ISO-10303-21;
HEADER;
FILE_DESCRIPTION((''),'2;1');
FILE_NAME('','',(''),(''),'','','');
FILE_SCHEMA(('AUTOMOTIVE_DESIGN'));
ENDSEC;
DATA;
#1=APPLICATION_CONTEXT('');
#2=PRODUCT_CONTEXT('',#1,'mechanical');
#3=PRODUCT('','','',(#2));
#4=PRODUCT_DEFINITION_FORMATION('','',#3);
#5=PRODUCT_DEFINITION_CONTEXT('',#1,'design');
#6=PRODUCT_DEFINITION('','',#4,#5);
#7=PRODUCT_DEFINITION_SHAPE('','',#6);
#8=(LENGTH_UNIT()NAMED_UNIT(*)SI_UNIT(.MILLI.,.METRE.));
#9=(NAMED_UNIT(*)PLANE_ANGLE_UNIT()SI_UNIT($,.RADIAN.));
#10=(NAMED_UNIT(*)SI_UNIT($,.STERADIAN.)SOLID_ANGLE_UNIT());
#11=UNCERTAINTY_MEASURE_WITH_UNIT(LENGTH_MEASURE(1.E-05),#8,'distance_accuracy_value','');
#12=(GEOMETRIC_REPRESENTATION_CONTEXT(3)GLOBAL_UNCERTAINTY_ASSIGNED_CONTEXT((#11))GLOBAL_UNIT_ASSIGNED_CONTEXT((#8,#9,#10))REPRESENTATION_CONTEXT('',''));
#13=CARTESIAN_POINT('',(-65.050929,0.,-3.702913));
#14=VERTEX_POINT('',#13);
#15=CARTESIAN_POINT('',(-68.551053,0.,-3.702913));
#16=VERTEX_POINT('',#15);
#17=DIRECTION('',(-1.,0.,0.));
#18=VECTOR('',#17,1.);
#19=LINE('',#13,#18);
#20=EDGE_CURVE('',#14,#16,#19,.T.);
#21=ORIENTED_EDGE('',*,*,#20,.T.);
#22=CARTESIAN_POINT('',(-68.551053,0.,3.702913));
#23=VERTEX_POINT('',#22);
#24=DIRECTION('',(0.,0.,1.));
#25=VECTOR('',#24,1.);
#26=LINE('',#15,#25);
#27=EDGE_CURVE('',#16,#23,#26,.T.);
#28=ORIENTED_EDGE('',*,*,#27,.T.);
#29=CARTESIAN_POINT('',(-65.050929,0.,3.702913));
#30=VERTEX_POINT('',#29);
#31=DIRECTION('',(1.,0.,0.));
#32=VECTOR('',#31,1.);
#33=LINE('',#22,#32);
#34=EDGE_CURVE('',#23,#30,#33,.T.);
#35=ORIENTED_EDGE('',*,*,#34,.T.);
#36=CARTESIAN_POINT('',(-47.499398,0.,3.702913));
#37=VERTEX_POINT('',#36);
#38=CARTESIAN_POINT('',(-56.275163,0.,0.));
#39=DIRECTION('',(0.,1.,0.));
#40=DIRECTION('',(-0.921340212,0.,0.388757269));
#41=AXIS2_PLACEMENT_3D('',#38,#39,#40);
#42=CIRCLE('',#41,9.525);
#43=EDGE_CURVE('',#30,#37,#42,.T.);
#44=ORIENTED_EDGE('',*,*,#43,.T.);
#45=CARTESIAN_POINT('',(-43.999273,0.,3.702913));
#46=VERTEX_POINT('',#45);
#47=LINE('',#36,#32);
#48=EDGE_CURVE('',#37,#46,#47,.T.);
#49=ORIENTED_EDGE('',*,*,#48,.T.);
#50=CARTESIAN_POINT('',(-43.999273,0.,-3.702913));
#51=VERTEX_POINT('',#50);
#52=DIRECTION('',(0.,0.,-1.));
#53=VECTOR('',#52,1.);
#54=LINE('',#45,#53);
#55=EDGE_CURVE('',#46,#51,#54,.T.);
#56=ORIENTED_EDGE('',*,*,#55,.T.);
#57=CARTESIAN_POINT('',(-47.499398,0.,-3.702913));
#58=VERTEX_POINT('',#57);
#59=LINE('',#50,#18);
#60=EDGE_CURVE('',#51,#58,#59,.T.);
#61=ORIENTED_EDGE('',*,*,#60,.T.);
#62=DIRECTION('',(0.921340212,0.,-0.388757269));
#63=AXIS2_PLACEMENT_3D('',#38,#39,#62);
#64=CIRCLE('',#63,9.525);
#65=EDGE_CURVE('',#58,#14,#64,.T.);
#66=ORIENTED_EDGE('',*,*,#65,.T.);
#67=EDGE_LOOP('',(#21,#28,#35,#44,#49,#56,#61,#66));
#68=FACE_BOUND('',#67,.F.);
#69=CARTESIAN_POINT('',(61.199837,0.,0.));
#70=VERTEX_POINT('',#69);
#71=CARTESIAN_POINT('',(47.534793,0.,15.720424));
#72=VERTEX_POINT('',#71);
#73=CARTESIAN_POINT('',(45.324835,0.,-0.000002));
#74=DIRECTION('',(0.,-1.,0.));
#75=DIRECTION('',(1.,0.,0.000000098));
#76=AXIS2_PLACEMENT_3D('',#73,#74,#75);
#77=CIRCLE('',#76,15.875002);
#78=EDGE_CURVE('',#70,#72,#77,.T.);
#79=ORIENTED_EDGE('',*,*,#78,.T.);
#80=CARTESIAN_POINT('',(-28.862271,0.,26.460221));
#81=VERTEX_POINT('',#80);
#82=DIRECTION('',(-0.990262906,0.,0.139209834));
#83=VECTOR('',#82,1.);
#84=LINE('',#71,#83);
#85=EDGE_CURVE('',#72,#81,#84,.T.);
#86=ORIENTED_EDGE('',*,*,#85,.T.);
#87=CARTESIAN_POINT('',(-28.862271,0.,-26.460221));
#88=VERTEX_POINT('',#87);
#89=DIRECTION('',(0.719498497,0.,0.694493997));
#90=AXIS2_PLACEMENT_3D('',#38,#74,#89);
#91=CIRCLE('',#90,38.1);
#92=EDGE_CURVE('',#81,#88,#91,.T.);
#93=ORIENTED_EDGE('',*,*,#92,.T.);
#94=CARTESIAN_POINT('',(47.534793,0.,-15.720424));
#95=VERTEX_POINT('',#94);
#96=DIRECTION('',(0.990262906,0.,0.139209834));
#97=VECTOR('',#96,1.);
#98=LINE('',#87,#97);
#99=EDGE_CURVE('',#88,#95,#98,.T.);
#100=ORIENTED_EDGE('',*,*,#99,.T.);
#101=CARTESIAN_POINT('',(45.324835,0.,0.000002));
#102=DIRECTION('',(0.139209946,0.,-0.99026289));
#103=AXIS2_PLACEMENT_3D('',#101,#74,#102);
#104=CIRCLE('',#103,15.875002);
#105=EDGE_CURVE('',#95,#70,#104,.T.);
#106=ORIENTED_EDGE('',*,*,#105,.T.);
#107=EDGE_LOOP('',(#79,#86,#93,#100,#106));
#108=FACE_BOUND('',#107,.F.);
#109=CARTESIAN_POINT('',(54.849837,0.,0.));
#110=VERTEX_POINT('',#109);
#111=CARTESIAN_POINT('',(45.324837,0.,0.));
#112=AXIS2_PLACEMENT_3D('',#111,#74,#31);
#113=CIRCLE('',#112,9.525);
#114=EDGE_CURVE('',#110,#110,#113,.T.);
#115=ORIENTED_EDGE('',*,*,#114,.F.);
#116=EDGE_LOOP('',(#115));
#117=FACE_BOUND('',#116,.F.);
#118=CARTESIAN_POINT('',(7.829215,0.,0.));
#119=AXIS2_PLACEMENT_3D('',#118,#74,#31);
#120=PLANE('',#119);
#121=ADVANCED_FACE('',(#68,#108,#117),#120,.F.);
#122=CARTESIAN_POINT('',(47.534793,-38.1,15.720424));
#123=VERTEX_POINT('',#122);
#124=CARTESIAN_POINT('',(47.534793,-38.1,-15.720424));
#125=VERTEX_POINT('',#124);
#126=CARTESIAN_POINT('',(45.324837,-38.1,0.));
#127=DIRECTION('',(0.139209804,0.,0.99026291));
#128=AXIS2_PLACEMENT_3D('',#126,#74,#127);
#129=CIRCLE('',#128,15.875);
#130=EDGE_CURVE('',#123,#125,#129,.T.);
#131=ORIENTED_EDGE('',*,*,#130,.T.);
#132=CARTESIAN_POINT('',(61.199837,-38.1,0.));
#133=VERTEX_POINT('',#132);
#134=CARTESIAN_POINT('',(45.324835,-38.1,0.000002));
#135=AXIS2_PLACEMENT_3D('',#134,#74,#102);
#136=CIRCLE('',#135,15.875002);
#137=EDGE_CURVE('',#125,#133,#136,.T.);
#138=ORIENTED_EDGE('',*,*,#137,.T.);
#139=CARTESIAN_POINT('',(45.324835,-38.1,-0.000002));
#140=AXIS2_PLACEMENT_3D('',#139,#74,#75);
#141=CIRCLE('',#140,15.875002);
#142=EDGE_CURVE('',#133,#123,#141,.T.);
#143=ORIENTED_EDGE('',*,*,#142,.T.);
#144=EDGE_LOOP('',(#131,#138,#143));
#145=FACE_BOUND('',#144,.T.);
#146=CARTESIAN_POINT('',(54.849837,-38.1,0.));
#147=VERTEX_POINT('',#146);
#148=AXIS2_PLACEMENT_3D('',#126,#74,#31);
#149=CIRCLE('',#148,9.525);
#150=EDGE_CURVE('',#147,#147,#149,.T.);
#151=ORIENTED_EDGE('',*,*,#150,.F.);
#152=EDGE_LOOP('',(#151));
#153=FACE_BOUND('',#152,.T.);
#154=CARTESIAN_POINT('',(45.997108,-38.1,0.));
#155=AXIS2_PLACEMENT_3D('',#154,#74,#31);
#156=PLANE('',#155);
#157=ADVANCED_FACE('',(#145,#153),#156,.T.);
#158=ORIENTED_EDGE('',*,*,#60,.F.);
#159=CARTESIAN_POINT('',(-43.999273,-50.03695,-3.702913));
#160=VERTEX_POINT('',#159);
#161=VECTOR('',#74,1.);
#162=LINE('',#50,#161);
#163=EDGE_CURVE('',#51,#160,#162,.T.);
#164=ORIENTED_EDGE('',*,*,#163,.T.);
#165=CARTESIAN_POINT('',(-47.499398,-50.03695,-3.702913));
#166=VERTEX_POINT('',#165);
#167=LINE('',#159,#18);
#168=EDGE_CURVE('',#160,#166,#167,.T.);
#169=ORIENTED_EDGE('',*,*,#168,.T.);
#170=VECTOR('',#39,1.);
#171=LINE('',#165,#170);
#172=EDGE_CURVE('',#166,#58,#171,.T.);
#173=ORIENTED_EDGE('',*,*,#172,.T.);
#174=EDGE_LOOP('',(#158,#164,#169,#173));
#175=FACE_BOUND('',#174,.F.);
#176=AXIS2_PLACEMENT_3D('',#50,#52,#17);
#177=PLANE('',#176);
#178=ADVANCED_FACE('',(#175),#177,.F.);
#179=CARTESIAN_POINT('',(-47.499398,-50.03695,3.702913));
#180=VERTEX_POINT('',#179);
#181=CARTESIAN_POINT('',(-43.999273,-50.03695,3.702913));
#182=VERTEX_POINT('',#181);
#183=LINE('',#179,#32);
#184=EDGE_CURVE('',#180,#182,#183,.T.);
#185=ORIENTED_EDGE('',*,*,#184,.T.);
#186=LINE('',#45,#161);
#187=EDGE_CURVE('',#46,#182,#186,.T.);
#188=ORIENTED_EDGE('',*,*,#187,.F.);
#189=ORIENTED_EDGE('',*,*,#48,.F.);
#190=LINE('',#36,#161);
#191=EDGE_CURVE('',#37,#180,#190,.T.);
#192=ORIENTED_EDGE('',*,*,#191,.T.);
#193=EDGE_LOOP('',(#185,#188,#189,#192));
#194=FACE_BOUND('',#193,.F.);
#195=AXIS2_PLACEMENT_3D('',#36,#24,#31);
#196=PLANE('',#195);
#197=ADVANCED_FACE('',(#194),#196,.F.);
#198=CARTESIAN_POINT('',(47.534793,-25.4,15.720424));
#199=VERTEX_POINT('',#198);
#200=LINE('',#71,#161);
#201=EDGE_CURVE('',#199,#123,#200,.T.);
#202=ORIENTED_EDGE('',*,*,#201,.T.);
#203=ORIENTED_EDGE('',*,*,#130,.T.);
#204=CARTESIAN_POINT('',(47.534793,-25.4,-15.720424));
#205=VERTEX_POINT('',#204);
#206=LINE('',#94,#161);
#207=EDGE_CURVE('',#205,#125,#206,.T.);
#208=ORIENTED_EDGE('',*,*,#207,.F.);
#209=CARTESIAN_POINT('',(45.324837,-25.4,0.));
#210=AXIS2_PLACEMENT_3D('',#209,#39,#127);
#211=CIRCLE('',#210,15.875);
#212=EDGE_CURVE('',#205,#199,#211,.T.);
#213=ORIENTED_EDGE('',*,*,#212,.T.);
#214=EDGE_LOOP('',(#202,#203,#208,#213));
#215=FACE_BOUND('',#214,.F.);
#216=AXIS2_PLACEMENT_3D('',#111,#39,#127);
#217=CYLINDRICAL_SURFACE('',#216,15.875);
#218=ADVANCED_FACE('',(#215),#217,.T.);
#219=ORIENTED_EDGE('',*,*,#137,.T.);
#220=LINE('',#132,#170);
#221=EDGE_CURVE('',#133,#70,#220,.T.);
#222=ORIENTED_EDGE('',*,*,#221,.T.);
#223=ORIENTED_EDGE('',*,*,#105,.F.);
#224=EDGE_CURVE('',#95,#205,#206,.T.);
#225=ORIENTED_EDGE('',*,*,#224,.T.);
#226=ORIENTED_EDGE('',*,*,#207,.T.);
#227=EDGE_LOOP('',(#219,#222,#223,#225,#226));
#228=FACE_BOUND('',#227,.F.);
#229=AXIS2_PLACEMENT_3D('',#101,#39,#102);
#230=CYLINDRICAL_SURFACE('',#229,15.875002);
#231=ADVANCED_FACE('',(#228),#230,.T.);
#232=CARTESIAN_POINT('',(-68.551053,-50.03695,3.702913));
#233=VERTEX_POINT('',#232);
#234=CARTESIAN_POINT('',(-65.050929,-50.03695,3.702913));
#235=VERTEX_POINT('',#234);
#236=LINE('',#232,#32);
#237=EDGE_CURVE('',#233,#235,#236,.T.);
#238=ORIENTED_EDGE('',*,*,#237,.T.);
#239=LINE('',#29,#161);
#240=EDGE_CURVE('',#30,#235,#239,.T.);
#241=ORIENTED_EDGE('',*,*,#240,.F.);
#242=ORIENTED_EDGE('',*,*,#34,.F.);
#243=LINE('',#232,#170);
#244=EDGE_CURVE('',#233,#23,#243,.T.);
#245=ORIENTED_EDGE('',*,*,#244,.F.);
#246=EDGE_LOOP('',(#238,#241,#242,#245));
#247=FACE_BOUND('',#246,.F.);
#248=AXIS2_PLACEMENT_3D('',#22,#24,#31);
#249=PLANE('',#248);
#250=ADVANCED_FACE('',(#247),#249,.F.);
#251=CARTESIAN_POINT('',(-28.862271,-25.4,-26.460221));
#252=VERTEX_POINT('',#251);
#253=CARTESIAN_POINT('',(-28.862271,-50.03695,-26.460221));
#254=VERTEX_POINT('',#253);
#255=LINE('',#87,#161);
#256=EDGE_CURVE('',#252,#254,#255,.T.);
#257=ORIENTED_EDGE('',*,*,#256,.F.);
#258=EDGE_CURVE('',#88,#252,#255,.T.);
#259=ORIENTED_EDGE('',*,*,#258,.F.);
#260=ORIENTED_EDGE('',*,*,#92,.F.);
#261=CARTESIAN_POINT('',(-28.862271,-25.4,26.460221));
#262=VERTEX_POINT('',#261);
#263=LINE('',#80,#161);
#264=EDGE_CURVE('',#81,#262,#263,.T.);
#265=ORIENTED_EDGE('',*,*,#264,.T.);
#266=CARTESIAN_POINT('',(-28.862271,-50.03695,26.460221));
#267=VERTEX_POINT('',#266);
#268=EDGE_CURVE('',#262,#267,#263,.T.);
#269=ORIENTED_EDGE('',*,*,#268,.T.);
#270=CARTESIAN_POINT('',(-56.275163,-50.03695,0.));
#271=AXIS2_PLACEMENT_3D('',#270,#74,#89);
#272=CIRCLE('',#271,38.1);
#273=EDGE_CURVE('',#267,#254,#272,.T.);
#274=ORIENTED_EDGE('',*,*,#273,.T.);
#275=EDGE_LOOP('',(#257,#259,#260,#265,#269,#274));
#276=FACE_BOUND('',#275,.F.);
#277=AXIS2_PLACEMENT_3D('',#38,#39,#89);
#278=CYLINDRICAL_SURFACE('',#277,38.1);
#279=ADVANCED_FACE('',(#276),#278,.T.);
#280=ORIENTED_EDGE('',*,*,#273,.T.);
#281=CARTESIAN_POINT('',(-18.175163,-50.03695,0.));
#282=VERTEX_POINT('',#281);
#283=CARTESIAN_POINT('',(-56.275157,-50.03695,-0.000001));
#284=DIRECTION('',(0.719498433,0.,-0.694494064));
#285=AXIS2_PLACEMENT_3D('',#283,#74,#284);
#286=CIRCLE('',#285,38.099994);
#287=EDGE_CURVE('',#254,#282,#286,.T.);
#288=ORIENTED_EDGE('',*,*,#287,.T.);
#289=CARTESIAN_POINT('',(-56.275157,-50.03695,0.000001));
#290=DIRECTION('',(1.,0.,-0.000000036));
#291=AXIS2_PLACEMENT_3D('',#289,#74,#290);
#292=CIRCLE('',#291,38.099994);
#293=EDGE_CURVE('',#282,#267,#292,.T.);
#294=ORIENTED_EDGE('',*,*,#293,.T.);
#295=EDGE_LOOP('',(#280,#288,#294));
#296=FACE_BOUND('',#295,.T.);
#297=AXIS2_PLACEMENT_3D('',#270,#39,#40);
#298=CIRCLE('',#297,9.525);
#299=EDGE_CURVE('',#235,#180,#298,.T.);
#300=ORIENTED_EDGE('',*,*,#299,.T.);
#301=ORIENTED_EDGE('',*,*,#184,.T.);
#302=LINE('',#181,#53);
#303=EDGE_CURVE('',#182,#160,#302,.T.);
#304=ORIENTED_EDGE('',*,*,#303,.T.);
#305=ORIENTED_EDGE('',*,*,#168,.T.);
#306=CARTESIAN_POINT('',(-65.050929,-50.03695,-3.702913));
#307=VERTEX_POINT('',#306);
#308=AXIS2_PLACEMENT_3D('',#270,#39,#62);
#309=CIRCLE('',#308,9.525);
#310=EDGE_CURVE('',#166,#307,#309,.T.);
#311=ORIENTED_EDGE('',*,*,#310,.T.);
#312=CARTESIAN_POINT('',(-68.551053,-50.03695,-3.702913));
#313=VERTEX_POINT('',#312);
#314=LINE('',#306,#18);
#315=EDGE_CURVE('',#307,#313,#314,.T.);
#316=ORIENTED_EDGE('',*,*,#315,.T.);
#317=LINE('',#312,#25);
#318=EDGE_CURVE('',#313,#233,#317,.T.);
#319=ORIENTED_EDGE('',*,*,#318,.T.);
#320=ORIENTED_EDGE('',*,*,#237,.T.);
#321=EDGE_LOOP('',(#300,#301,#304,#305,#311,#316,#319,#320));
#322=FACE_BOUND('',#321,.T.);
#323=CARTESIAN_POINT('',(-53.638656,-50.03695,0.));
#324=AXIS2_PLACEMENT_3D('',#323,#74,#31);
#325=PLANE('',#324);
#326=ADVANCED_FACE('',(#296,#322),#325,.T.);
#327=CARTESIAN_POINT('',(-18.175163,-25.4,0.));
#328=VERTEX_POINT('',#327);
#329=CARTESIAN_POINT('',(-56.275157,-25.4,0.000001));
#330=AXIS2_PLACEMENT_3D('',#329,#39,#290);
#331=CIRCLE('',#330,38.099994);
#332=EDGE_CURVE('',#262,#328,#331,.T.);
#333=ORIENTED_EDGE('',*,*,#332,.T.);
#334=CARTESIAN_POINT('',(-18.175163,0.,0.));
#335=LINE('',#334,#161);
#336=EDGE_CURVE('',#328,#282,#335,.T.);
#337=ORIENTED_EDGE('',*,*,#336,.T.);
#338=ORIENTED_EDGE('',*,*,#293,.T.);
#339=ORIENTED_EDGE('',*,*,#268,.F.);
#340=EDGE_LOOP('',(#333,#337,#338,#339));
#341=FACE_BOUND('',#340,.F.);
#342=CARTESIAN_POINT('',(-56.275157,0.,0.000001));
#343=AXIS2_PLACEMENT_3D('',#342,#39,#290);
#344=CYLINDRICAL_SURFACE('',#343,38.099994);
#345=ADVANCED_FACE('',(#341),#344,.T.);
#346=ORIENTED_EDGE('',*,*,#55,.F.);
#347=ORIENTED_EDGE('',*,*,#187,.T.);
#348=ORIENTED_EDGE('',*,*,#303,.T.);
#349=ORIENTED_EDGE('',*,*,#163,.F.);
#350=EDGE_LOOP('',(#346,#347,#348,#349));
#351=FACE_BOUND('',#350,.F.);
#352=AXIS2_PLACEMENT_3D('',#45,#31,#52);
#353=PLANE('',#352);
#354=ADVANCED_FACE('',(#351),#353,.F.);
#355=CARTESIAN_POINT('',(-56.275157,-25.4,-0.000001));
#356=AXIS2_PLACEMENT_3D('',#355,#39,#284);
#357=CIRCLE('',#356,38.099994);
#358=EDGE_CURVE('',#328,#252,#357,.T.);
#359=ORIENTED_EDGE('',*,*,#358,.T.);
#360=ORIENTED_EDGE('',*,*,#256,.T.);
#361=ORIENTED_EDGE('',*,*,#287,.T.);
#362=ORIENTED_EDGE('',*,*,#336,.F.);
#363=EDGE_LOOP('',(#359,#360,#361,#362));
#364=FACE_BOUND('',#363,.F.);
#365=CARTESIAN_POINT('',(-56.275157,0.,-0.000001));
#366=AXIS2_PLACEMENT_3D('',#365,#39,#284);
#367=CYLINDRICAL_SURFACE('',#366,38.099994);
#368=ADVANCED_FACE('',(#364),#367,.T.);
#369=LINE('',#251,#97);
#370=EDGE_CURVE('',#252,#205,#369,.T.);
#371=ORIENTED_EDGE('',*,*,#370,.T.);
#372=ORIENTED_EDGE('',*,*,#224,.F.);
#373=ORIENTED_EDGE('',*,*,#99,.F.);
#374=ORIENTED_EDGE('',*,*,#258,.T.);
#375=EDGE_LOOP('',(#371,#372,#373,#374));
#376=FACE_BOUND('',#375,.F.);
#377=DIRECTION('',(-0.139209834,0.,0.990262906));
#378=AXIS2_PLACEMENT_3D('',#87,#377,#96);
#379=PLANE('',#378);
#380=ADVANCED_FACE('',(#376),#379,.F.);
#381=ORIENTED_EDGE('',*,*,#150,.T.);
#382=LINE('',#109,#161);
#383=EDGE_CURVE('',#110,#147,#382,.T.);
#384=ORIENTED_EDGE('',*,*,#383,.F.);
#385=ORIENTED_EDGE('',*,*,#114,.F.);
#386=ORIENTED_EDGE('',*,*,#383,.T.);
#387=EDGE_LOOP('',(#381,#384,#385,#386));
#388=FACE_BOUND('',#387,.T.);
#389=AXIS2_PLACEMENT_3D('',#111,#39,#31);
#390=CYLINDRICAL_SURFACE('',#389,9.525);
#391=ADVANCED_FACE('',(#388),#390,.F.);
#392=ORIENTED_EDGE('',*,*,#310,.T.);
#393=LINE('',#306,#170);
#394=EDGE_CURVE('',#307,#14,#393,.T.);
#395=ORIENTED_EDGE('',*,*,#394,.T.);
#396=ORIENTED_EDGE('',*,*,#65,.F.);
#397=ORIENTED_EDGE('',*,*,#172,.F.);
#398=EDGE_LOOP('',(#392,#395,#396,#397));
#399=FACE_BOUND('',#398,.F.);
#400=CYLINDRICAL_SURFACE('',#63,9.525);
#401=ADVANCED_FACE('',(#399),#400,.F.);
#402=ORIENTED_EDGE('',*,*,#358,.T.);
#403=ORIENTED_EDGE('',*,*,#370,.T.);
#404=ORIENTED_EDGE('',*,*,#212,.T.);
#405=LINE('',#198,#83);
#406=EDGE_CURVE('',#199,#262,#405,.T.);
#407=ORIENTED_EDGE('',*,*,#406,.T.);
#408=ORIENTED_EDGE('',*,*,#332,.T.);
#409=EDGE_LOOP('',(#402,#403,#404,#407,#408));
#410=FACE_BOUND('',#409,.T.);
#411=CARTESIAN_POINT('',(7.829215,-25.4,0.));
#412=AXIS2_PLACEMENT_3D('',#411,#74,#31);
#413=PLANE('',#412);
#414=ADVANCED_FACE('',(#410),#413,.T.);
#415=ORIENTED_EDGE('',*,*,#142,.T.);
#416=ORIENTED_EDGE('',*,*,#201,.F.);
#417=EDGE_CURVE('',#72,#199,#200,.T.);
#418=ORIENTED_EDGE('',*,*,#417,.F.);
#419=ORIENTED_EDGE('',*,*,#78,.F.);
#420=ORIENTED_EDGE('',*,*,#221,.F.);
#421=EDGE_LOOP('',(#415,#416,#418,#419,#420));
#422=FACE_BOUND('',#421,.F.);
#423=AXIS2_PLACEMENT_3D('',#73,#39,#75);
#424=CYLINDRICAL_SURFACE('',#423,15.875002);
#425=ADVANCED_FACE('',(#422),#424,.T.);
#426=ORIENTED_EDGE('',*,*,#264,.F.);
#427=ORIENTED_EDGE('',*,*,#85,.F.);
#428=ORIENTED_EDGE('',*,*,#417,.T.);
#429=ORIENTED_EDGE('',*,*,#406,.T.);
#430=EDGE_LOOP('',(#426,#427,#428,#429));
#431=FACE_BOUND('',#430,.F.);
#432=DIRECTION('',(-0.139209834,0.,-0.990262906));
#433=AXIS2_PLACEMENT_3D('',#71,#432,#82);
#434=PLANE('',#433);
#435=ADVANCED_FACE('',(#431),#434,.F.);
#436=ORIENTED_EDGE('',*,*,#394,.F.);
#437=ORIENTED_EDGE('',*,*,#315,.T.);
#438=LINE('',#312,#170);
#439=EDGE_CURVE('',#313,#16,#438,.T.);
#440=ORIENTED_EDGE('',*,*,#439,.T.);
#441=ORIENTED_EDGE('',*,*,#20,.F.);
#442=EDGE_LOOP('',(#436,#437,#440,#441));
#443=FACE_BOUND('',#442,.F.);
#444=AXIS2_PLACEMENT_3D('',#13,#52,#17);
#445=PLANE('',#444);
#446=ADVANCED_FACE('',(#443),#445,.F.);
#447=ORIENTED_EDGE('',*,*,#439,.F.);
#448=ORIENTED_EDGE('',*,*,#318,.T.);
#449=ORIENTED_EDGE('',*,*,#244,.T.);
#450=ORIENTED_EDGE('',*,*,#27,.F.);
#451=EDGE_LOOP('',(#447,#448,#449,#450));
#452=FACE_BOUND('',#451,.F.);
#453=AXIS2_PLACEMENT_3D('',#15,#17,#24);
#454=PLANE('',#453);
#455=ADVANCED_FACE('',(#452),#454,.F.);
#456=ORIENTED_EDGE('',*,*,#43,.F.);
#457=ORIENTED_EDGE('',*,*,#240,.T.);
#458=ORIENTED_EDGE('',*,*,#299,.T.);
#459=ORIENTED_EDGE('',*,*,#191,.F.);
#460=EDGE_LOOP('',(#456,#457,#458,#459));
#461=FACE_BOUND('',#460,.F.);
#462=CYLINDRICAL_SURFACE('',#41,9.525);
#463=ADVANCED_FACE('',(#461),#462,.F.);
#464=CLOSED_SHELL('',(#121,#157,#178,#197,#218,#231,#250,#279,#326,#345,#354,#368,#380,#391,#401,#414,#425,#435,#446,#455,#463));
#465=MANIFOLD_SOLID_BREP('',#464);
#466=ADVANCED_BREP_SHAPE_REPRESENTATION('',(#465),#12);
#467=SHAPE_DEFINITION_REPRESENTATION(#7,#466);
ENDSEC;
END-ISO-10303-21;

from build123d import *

# Parameters (mm, degrees)
F0_R     = 9.525
F1_DEPTH = 25.4
F2_DEPTH = 50.03695
F3_DEPTH = 38.1


with BuildPart() as f1:
    # F0 (on Front) → F1 (new body)
    with BuildSketch(Plane.XZ):
        with BuildLine():
            ThreePointArc((-28.862271, 26.460221), (-20.947828, 14.268476), (-18.175163, 0))
            ThreePointArc((-18.175163, 0), (-20.947828, -14.268476), (-28.862271, -26.460221))
            Line((-28.862271, -26.460221), (47.534793, -15.720424))
            ThreePointArc((47.534793, -15.720424), (29.449837, 0), (47.534793, 15.720424))
            Line((47.534793, 15.720424), (-28.862271, 26.460221))
        make_face()
        with BuildLine():
            ThreePointArc((61.199837, 0), (57.306044, 10.414715), (47.534793, 15.720424))
            ThreePointArc((47.534793, 15.720424), (29.449837, 0), (47.534793, -15.720424))
            ThreePointArc((47.534793, -15.720424), (57.306044, -10.414715), (61.199837, 0))
        make_face()
        with Locations((45.324837, 0)):
            Circle(F0_R, mode=Mode.SUBTRACT)
        with BuildLine():
            ThreePointArc((-28.862271, -26.460221), (-20.947828, -14.268476), (-18.175163, 0))
            ThreePointArc((-18.175163, 0), (-20.947828, 14.268476), (-28.862271, 26.460221))
            ThreePointArc((-28.862271, 26.460221), (-94.375163, 0), (-28.862271, -26.460221))
        make_face()
        with BuildLine():
            ThreePointArc((-65.050929, 3.702913), (-56.275163, 9.525), (-47.499398, 3.702913))
            Line((-47.499398, 3.702913), (-43.999273, 3.702913))
            Line((-43.999273, 3.702913), (-43.999273, -3.702913))
            Line((-43.999273, -3.702913), (-47.499398, -3.702913))
            ThreePointArc((-47.499398, -3.702913), (-56.275163, -9.525), (-65.050929, -3.702913))
            Line((-65.050929, -3.702913), (-68.551053, -3.702913))
            Line((-68.551053, -3.702913), (-68.551053, 3.702913))
            Line((-68.551053, 3.702913), (-65.050929, 3.702913))
        make_face(mode=Mode.SUBTRACT)
    extrude(amount=F1_DEPTH)

    # F0 (on Front) → F2 (join)
    with BuildSketch(Plane.XZ):
        with BuildLine():
            ThreePointArc((-28.862271, -26.460221), (-20.947828, -14.268476), (-18.175163, 0))
            ThreePointArc((-18.175163, 0), (-20.947828, 14.268476), (-28.862271, 26.460221))
            ThreePointArc((-28.862271, 26.460221), (-94.375163, 0), (-28.862271, -26.460221))
        make_face()
        with BuildLine():
            ThreePointArc((-65.050929, 3.702913), (-56.275163, 9.525), (-47.499398, 3.702913))
            Line((-47.499398, 3.702913), (-43.999273, 3.702913))
            Line((-43.999273, 3.702913), (-43.999273, -3.702913))
            Line((-43.999273, -3.702913), (-47.499398, -3.702913))
            ThreePointArc((-47.499398, -3.702913), (-56.275163, -9.525), (-65.050929, -3.702913))
            Line((-65.050929, -3.702913), (-68.551053, -3.702913))
            Line((-68.551053, -3.702913), (-68.551053, 3.702913))
            Line((-68.551053, 3.702913), (-65.050929, 3.702913))
        make_face(mode=Mode.SUBTRACT)
    extrude(amount=F2_DEPTH)

    # F0 (on Front) → F3 (join)
    with BuildSketch(Plane.XZ):
        with BuildLine():
            ThreePointArc((61.199837, 0), (57.306044, 10.414715), (47.534793, 15.720424))
            ThreePointArc((47.534793, 15.720424), (29.449837, 0), (47.534793, -15.720424))
            ThreePointArc((47.534793, -15.720424), (57.306044, -10.414715), (61.199837, 0))
        make_face()
        with Locations((45.324837, 0)):
            Circle(F0_R, mode=Mode.SUBTRACT)
    extrude(amount=F3_DEPTH)


solid = f1.part
